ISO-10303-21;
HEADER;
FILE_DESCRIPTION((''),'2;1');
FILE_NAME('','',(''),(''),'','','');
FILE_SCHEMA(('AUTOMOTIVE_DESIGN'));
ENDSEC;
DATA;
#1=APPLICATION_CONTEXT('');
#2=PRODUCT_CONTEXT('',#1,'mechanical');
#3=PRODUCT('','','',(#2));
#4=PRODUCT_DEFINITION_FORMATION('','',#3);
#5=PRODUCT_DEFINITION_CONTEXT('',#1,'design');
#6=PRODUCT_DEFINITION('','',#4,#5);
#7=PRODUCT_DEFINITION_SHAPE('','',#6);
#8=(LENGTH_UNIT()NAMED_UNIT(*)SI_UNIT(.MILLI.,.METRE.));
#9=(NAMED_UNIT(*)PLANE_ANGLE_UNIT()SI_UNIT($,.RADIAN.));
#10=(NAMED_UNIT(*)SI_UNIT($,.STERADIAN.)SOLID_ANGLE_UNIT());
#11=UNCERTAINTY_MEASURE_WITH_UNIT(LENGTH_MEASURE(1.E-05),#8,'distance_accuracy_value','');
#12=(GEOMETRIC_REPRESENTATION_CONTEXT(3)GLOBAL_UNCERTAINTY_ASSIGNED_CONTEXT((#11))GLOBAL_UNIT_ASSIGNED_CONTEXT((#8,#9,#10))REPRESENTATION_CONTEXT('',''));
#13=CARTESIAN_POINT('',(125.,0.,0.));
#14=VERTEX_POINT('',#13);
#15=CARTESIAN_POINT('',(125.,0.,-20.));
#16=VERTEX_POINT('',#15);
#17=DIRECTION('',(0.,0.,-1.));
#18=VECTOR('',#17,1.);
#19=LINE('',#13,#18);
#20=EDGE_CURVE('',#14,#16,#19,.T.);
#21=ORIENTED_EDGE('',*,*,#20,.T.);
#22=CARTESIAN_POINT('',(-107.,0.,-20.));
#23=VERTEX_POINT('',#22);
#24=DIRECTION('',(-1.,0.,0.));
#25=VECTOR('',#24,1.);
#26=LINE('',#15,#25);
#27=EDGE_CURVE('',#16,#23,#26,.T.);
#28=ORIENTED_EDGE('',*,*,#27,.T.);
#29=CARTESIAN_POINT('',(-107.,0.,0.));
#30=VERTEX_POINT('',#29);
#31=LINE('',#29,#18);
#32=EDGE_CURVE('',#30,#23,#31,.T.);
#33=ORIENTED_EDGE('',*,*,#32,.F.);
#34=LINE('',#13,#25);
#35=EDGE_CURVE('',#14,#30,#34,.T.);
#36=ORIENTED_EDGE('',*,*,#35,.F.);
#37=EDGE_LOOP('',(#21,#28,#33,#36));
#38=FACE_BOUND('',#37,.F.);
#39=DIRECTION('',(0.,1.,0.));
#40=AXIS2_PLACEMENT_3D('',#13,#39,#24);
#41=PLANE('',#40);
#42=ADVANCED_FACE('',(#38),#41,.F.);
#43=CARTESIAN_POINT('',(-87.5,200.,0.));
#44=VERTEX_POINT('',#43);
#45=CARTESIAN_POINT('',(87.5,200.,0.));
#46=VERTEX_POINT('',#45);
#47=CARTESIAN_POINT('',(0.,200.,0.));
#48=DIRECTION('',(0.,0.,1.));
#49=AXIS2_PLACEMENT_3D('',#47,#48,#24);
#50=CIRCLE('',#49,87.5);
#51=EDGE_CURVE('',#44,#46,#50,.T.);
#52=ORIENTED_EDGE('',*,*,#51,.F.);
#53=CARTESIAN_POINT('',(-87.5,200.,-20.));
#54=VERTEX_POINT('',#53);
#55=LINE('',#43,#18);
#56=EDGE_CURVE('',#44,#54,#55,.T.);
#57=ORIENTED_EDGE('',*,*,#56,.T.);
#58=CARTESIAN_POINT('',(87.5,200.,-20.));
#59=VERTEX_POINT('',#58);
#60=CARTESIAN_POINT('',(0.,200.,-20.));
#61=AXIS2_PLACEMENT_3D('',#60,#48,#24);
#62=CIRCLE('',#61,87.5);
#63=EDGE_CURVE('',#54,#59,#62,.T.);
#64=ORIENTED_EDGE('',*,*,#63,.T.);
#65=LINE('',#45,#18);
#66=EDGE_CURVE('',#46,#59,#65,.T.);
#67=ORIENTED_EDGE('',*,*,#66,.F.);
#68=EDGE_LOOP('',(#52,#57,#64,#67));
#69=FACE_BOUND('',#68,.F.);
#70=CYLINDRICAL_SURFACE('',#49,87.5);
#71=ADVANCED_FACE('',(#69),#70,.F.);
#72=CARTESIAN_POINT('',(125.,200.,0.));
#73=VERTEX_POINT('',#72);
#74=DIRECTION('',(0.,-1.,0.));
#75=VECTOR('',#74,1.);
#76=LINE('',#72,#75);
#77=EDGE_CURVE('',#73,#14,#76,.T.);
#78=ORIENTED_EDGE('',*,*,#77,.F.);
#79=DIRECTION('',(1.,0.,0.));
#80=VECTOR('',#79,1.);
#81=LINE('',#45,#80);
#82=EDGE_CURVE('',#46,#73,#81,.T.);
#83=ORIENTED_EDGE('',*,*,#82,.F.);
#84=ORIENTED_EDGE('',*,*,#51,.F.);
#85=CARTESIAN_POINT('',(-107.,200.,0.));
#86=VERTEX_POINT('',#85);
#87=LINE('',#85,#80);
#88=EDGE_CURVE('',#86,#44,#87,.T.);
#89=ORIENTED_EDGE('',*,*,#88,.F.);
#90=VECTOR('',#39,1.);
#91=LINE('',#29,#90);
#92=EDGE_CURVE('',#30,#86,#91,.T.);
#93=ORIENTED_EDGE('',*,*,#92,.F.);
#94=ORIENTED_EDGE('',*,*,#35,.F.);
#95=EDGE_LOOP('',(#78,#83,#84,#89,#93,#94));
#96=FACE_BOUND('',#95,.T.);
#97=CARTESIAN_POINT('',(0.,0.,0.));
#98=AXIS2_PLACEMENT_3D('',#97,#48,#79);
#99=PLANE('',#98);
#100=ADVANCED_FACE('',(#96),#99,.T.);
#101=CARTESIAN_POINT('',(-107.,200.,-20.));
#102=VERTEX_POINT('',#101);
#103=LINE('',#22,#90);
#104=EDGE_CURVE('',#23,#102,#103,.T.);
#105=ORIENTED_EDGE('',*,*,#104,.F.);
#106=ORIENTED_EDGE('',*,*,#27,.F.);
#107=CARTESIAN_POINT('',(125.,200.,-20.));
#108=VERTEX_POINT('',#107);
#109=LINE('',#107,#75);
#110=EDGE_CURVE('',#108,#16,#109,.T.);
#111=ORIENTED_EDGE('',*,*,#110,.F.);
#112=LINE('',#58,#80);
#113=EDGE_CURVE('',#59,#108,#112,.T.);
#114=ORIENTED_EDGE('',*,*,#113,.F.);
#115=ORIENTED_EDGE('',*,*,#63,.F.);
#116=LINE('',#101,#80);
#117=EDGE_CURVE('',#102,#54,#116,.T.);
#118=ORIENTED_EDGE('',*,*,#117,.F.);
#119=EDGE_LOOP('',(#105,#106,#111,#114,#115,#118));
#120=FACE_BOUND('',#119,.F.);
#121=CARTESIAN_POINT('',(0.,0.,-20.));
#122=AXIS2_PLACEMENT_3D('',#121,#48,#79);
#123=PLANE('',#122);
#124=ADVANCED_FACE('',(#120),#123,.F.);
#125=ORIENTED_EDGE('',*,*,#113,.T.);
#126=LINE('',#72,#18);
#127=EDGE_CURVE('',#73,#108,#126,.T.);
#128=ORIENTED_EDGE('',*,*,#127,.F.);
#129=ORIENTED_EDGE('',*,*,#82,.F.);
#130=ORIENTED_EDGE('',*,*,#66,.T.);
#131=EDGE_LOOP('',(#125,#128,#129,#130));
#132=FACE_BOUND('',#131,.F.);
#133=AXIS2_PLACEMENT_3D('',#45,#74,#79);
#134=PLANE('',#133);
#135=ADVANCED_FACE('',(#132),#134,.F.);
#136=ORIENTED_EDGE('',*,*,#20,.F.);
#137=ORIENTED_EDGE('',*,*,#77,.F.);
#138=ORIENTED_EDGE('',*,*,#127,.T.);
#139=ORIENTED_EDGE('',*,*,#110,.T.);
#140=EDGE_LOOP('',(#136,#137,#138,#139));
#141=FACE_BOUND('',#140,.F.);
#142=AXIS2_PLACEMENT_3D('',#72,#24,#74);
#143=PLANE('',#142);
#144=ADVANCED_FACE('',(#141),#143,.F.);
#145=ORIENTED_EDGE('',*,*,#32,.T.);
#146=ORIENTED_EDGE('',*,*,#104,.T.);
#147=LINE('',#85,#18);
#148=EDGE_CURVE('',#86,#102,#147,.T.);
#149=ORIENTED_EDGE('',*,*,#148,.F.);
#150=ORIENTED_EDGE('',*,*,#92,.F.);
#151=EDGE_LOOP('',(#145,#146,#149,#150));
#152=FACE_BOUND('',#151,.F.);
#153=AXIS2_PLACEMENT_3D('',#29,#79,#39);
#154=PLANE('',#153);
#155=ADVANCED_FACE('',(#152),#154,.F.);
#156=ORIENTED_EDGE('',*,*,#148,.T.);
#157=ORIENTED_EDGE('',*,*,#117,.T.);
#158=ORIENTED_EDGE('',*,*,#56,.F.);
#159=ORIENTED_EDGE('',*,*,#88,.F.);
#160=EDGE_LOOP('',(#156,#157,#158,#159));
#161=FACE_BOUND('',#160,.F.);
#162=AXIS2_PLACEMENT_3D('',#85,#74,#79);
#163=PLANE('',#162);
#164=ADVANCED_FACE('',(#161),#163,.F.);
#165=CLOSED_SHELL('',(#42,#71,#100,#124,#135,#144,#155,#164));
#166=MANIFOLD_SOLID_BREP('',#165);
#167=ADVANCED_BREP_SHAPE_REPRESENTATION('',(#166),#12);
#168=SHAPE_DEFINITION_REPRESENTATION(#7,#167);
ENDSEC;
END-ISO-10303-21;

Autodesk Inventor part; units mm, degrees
ref_plane "YZ Plane" through (0, 0, 0) normal (1, 0, 0) x (0, 1, 0)
ref_plane "XZ Plane" through (0, 0, 0) normal (0, 1, 0) x (-1, 0, 0)
ref_plane "XY Plane" through (0, 0, 0) normal (0, 0, 1) x (1, 0, 0)
sketch "Sketch1" plane through (0, 0, 0) normal (0, 0, 1) x (1, 0, 0)
  arc A0 (-87.5, 200) -> (87.5, 200) centre (0, 200) ccw
  line L0 (87.5, 200) -> (125, 200)
  line L1 (125, 200) -> (125, 0)
  line L2 (125, 0) -> (-107, 0)
  line L3 (-107, 0) -> (-107, 200)
  line L4 (-107, 200) -> (-87.5, 200)
  point P0 (0, 0)
  dimension "d0" = 200
  dimension "d1" = 175
  dimension "d2" = 37.5
  dimension "d3" = 232
  dimension "d4" = 125
  dimension "d5" = 200
extrude "Extrusion1" add sketch "Sketch1" against normal blind 20
properties part number "Weldedsupportpart1"
